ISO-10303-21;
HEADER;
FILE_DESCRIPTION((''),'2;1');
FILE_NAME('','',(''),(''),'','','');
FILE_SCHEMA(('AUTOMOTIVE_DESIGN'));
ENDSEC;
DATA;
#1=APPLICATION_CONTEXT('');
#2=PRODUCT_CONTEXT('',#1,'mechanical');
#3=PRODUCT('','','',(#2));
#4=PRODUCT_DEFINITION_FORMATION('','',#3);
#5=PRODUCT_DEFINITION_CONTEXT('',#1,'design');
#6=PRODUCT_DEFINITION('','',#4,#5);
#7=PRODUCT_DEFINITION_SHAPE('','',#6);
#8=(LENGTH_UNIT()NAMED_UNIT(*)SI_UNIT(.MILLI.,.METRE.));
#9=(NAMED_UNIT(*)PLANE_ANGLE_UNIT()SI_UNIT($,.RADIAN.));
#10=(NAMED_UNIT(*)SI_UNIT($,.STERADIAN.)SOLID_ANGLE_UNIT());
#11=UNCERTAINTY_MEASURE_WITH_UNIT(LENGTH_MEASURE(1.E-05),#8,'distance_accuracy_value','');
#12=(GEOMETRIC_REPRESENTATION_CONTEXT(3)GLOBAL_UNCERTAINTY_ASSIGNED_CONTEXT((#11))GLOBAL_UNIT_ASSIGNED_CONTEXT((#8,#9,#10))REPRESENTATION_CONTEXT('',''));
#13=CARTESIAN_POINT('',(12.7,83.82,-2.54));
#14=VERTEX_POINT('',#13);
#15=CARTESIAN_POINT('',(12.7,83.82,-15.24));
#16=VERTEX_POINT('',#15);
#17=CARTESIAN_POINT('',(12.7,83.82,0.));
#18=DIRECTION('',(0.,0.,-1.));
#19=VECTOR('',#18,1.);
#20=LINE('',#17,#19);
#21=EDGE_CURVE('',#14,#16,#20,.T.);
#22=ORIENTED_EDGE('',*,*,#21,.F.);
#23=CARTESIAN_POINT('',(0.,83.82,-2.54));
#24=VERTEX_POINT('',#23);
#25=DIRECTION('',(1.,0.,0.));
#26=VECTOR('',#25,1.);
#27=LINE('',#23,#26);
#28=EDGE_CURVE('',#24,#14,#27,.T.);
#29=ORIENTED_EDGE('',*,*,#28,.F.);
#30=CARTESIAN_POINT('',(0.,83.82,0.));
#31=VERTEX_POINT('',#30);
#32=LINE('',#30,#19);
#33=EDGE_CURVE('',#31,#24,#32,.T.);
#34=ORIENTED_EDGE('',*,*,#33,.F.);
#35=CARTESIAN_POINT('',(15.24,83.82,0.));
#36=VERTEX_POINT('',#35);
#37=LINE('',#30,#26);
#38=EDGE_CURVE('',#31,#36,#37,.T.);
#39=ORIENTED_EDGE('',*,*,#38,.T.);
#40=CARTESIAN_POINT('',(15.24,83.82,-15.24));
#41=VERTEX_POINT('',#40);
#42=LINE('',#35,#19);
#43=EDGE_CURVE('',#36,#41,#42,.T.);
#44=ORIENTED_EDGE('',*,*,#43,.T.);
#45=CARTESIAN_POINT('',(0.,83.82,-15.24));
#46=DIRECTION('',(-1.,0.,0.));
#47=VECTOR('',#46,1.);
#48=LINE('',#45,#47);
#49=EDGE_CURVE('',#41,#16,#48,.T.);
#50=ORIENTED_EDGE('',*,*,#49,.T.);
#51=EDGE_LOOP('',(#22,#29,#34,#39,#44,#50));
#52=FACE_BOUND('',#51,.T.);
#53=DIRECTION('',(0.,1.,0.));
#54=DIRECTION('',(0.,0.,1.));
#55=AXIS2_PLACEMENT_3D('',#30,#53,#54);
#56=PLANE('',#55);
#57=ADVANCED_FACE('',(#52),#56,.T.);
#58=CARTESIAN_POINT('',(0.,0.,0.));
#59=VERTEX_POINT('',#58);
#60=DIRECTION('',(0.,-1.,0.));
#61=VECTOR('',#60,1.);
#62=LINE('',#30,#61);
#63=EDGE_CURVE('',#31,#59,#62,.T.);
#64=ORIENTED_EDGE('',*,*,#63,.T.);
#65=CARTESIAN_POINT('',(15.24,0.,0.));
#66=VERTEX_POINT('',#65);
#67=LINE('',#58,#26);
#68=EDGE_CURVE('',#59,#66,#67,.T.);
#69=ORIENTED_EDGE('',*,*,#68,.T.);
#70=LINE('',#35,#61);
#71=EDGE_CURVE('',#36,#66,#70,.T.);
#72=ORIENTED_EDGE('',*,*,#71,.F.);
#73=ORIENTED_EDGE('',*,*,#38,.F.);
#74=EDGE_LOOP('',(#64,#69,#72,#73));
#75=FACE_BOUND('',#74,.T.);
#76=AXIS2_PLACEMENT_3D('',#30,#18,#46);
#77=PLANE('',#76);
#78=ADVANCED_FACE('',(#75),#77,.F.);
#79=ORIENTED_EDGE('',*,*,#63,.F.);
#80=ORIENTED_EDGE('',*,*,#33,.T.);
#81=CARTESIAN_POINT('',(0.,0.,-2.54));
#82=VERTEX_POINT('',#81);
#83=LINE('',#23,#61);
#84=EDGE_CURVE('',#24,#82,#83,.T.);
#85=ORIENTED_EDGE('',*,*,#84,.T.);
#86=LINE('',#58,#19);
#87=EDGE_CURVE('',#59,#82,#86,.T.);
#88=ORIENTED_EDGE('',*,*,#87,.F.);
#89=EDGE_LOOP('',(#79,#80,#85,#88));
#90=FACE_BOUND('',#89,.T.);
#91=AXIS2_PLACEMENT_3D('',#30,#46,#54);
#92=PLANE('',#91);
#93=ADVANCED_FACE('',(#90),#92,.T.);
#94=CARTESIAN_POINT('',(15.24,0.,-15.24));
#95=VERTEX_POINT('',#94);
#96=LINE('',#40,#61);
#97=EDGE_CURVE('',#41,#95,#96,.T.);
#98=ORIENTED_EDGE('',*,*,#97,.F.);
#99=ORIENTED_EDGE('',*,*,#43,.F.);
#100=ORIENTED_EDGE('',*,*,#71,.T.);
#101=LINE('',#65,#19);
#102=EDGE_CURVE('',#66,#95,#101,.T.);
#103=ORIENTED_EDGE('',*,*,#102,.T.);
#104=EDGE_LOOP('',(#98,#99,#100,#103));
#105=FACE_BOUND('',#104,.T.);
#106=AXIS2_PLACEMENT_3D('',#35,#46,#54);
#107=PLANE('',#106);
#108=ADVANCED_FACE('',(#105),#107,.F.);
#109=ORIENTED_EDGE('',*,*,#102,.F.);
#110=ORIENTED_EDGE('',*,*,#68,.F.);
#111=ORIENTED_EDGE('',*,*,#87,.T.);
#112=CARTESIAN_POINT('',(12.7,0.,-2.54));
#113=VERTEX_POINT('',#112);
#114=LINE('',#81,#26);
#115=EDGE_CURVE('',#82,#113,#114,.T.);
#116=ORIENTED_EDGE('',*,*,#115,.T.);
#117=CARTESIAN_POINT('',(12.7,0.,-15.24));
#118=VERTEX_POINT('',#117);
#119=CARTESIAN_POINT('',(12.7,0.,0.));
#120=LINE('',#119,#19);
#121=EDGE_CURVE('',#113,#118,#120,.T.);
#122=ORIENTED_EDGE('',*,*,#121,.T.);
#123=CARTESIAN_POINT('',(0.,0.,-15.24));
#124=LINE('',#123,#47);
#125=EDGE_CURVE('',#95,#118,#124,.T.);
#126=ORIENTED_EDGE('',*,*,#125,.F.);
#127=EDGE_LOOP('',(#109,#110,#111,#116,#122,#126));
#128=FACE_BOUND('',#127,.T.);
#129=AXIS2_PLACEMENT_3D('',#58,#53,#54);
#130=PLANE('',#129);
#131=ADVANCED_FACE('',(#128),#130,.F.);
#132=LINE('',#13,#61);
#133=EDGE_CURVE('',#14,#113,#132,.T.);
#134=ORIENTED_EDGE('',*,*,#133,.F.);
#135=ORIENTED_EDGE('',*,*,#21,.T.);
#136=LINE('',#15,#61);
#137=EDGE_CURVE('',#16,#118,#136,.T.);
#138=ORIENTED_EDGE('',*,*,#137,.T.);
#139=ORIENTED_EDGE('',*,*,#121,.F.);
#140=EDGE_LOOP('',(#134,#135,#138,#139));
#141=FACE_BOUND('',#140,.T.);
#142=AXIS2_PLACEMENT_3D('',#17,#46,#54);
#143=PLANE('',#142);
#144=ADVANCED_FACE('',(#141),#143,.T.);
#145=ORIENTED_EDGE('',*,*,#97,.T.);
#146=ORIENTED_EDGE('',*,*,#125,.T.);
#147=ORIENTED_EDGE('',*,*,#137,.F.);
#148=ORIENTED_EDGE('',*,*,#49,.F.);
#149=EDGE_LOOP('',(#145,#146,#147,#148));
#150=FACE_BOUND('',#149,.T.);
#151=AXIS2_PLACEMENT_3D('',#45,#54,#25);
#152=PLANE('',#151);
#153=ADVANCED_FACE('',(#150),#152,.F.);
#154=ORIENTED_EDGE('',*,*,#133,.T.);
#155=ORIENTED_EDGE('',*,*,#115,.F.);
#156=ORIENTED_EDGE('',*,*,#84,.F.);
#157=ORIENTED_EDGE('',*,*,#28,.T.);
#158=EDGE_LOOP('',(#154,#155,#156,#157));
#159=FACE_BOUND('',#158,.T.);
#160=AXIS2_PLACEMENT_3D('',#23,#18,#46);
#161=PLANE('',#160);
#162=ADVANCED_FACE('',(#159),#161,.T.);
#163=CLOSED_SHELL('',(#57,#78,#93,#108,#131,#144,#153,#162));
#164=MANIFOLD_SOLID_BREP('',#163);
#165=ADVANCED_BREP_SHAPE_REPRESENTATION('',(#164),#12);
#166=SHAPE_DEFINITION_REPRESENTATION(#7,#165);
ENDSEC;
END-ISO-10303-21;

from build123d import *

# Parameters (mm, degrees)
BOSS_EXTRUDE1_DEPTH = 83.82


with BuildPart() as part:
    # Sketch1 → Boss-Extrude1 (new body)
    with BuildSketch(Plane(origin=(0, 0, 0), x_dir=(1, 0, 0), z_dir=(0, 1, 0))):
        Polygon((0, 2.54), (0, 0), (12.96366782, 0), (15.24, 0), (15.24, 2.54), (15.24, 15.24), (12.7, 15.24), (12.7, 2.54), align=None)
    extrude(amount=BOSS_EXTRUDE1_DEPTH)


solid = part.part
